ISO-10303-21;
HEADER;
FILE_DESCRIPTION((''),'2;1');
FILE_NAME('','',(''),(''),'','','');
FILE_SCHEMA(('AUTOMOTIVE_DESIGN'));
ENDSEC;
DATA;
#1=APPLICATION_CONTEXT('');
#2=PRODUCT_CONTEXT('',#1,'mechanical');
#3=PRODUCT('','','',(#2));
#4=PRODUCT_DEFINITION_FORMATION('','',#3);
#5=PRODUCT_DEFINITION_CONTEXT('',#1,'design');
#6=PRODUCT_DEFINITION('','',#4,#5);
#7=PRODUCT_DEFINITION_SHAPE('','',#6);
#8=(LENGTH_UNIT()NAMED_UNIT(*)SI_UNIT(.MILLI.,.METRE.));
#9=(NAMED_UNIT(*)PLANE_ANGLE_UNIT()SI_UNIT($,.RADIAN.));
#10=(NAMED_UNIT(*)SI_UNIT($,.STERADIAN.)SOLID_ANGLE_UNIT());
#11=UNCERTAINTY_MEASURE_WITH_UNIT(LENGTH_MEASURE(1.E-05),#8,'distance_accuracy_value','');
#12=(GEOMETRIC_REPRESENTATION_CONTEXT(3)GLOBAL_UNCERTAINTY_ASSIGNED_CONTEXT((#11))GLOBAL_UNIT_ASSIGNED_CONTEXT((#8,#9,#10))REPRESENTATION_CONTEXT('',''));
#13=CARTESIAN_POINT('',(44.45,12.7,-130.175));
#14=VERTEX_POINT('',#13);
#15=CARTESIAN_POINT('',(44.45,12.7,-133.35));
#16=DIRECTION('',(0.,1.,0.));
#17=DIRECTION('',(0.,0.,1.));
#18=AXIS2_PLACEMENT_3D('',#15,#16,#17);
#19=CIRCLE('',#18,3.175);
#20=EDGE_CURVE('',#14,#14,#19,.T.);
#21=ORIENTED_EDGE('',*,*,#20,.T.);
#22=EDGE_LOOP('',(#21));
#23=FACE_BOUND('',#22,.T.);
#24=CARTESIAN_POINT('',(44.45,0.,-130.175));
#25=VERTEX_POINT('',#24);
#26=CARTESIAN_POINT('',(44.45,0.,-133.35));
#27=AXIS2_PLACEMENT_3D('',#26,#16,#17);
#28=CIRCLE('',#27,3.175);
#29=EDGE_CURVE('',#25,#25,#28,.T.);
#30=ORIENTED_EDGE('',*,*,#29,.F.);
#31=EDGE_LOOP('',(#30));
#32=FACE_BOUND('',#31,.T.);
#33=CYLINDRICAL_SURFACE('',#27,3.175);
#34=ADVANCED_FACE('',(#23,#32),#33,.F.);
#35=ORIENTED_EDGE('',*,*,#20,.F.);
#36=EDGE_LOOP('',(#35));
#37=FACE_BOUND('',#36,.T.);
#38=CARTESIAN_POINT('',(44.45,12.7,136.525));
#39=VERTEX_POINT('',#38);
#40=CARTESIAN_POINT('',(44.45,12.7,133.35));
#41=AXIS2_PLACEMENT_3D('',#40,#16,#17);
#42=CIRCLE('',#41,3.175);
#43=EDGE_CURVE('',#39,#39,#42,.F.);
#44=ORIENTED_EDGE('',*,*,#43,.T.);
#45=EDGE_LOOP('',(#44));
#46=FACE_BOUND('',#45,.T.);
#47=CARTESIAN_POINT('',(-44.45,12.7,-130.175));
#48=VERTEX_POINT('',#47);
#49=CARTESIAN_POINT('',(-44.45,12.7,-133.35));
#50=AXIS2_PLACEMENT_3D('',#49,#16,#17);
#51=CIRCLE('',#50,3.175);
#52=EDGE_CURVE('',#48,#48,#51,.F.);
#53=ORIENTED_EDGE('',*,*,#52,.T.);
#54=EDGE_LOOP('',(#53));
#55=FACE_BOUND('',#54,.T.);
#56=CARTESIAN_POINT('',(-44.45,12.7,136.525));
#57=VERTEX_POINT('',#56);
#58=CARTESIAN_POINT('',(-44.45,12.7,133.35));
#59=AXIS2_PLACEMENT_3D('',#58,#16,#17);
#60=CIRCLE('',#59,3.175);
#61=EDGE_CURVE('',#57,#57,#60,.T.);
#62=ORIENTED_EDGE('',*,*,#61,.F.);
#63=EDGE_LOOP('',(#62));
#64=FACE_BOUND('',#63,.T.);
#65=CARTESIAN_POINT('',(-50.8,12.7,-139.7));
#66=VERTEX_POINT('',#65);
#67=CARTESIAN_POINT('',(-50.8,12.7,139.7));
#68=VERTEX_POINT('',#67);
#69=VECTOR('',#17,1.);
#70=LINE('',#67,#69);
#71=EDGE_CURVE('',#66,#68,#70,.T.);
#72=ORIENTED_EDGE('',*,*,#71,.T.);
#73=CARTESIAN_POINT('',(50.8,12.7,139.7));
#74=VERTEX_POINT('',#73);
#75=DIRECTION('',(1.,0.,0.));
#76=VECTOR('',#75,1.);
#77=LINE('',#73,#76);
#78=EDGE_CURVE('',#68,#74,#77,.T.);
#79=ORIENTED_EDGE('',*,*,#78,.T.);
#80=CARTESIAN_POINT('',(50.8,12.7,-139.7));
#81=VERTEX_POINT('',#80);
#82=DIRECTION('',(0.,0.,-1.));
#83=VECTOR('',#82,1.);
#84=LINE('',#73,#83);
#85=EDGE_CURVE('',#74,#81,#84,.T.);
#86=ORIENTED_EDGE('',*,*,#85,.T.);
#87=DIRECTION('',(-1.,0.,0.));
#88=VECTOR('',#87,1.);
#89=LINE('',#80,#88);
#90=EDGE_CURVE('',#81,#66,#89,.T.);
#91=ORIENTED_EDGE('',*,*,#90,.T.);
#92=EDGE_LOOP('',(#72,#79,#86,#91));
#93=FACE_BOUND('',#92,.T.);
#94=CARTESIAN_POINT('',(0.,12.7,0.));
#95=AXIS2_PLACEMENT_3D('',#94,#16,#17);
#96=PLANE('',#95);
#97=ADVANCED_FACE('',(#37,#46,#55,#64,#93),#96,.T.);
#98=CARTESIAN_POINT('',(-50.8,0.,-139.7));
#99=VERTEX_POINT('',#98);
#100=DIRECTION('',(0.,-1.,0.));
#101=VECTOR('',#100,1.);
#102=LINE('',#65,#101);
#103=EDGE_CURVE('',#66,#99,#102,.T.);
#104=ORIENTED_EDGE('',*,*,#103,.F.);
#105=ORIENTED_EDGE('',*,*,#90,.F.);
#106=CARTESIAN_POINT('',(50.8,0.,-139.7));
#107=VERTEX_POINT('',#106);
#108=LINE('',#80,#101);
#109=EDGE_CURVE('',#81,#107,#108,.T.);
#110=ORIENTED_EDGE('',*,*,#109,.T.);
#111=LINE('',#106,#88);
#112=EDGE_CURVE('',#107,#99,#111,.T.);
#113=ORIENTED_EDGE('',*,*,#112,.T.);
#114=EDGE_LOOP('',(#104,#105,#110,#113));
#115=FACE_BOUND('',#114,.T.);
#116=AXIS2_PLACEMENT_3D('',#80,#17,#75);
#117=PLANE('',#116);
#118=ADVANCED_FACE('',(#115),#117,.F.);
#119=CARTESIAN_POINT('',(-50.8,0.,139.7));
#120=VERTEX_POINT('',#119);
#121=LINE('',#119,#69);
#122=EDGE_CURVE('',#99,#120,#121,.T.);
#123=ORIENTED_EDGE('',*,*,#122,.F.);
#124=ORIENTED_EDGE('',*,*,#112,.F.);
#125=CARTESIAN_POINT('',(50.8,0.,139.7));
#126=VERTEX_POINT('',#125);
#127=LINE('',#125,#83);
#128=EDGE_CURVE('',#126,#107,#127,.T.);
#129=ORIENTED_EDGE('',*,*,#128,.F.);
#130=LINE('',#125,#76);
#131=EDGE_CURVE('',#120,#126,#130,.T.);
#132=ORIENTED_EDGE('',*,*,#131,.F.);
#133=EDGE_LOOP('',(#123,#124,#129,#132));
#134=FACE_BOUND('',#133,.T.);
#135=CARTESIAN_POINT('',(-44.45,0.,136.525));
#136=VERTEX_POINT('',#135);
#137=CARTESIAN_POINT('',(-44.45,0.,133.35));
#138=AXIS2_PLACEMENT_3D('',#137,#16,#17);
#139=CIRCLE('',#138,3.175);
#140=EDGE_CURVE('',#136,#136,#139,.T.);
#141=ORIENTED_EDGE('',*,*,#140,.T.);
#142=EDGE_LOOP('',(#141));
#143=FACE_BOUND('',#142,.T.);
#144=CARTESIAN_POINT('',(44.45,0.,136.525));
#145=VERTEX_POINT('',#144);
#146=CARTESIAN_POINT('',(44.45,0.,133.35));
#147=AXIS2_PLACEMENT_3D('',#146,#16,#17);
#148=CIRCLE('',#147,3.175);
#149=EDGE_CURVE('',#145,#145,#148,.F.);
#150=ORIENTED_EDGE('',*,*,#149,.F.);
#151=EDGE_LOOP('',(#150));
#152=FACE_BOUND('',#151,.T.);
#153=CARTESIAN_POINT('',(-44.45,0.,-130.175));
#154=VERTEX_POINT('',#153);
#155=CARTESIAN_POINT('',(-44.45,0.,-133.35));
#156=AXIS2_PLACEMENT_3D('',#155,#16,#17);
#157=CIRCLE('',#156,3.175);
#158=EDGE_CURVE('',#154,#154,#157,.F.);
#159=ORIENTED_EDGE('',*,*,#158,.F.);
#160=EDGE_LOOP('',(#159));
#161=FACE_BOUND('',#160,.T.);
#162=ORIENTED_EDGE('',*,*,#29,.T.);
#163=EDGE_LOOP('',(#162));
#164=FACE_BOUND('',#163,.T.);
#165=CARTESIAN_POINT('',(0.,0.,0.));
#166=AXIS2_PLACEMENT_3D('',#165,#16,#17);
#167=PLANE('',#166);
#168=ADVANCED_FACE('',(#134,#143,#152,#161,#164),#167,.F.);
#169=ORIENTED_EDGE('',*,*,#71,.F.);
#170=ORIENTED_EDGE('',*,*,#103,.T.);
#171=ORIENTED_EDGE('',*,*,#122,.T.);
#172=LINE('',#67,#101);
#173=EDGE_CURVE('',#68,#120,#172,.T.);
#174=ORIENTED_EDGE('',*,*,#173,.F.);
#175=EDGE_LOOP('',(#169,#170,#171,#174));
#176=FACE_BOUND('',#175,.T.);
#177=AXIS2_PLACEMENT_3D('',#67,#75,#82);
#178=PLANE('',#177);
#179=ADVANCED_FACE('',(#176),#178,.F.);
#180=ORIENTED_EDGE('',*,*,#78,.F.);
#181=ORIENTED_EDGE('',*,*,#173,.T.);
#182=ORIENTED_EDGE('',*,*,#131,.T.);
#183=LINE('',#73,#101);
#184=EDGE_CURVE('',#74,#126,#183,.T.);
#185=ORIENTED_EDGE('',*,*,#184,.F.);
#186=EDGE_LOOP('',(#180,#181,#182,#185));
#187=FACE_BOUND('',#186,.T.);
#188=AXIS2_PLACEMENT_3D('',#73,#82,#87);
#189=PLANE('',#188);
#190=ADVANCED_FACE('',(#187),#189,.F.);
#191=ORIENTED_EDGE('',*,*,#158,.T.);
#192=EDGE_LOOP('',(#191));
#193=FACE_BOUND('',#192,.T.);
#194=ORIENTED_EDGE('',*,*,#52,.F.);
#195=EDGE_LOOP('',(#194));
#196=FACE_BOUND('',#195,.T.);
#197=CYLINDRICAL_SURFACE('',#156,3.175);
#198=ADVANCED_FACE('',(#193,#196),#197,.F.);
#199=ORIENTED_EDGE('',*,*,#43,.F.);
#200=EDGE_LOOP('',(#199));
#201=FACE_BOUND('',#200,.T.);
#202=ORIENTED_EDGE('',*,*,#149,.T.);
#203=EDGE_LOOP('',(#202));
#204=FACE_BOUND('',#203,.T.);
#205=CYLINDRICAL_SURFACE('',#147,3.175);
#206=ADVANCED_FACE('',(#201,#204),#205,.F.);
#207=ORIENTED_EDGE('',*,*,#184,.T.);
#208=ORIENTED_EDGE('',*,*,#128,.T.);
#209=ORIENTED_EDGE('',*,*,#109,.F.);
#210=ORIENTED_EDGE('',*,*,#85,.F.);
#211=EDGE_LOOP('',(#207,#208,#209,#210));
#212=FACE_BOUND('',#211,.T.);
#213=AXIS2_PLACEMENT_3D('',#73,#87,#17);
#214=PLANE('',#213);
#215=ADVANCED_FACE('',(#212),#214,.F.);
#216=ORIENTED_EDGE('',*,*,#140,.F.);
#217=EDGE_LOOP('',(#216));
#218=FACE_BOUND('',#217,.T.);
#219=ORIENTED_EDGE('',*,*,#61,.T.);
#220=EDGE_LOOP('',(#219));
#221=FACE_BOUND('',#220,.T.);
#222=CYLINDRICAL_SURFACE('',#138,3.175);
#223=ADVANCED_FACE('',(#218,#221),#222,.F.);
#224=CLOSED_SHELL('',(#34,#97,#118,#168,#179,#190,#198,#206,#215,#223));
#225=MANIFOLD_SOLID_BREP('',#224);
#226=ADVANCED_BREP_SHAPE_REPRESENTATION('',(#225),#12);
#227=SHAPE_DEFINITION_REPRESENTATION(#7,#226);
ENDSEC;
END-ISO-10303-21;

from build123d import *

# Parameters (mm, degrees)
SKETCH1_W                                     = 101.6
SKETCH1_H                                     = 279.4
BASE_SHAPE_DEPTH                              = 12.7
SKETCH2_R                                     = 3.175
F_0_25_DIAMETER_CLEARANCE_HOLES_FOR_LID_DEPTH = 12.7


with BuildPart() as part:
    # Sketch1 → Base Shape (new body)
    with BuildSketch(Plane(origin=(0, 0, 0), x_dir=(1, 0, 0), z_dir=(0, 1, 0))):
        Rectangle(SKETCH1_W, SKETCH1_H)
    extrude(amount=BASE_SHAPE_DEPTH)

    # Sketch2 → 0.25_ Diameter Clearance Holes for Lid (cut)
    with BuildSketch(Plane(origin=(0, 12.7, 0), x_dir=(1, 0, 0), z_dir=(0, 1, 0))):
        with Locations((-44.45, -133.35)):
            Circle(SKETCH2_R)
        with Locations((44.45, -133.35)):
            Circle(SKETCH2_R)
        with Locations((44.45, 133.35)):
            Circle(SKETCH2_R)
        with Locations((-44.45, 133.35)):
            Circle(SKETCH2_R)
    extrude(amount=-F_0_25_DIAMETER_CLEARANCE_HOLES_FOR_LID_DEPTH, mode=Mode.SUBTRACT)


solid = part.part
